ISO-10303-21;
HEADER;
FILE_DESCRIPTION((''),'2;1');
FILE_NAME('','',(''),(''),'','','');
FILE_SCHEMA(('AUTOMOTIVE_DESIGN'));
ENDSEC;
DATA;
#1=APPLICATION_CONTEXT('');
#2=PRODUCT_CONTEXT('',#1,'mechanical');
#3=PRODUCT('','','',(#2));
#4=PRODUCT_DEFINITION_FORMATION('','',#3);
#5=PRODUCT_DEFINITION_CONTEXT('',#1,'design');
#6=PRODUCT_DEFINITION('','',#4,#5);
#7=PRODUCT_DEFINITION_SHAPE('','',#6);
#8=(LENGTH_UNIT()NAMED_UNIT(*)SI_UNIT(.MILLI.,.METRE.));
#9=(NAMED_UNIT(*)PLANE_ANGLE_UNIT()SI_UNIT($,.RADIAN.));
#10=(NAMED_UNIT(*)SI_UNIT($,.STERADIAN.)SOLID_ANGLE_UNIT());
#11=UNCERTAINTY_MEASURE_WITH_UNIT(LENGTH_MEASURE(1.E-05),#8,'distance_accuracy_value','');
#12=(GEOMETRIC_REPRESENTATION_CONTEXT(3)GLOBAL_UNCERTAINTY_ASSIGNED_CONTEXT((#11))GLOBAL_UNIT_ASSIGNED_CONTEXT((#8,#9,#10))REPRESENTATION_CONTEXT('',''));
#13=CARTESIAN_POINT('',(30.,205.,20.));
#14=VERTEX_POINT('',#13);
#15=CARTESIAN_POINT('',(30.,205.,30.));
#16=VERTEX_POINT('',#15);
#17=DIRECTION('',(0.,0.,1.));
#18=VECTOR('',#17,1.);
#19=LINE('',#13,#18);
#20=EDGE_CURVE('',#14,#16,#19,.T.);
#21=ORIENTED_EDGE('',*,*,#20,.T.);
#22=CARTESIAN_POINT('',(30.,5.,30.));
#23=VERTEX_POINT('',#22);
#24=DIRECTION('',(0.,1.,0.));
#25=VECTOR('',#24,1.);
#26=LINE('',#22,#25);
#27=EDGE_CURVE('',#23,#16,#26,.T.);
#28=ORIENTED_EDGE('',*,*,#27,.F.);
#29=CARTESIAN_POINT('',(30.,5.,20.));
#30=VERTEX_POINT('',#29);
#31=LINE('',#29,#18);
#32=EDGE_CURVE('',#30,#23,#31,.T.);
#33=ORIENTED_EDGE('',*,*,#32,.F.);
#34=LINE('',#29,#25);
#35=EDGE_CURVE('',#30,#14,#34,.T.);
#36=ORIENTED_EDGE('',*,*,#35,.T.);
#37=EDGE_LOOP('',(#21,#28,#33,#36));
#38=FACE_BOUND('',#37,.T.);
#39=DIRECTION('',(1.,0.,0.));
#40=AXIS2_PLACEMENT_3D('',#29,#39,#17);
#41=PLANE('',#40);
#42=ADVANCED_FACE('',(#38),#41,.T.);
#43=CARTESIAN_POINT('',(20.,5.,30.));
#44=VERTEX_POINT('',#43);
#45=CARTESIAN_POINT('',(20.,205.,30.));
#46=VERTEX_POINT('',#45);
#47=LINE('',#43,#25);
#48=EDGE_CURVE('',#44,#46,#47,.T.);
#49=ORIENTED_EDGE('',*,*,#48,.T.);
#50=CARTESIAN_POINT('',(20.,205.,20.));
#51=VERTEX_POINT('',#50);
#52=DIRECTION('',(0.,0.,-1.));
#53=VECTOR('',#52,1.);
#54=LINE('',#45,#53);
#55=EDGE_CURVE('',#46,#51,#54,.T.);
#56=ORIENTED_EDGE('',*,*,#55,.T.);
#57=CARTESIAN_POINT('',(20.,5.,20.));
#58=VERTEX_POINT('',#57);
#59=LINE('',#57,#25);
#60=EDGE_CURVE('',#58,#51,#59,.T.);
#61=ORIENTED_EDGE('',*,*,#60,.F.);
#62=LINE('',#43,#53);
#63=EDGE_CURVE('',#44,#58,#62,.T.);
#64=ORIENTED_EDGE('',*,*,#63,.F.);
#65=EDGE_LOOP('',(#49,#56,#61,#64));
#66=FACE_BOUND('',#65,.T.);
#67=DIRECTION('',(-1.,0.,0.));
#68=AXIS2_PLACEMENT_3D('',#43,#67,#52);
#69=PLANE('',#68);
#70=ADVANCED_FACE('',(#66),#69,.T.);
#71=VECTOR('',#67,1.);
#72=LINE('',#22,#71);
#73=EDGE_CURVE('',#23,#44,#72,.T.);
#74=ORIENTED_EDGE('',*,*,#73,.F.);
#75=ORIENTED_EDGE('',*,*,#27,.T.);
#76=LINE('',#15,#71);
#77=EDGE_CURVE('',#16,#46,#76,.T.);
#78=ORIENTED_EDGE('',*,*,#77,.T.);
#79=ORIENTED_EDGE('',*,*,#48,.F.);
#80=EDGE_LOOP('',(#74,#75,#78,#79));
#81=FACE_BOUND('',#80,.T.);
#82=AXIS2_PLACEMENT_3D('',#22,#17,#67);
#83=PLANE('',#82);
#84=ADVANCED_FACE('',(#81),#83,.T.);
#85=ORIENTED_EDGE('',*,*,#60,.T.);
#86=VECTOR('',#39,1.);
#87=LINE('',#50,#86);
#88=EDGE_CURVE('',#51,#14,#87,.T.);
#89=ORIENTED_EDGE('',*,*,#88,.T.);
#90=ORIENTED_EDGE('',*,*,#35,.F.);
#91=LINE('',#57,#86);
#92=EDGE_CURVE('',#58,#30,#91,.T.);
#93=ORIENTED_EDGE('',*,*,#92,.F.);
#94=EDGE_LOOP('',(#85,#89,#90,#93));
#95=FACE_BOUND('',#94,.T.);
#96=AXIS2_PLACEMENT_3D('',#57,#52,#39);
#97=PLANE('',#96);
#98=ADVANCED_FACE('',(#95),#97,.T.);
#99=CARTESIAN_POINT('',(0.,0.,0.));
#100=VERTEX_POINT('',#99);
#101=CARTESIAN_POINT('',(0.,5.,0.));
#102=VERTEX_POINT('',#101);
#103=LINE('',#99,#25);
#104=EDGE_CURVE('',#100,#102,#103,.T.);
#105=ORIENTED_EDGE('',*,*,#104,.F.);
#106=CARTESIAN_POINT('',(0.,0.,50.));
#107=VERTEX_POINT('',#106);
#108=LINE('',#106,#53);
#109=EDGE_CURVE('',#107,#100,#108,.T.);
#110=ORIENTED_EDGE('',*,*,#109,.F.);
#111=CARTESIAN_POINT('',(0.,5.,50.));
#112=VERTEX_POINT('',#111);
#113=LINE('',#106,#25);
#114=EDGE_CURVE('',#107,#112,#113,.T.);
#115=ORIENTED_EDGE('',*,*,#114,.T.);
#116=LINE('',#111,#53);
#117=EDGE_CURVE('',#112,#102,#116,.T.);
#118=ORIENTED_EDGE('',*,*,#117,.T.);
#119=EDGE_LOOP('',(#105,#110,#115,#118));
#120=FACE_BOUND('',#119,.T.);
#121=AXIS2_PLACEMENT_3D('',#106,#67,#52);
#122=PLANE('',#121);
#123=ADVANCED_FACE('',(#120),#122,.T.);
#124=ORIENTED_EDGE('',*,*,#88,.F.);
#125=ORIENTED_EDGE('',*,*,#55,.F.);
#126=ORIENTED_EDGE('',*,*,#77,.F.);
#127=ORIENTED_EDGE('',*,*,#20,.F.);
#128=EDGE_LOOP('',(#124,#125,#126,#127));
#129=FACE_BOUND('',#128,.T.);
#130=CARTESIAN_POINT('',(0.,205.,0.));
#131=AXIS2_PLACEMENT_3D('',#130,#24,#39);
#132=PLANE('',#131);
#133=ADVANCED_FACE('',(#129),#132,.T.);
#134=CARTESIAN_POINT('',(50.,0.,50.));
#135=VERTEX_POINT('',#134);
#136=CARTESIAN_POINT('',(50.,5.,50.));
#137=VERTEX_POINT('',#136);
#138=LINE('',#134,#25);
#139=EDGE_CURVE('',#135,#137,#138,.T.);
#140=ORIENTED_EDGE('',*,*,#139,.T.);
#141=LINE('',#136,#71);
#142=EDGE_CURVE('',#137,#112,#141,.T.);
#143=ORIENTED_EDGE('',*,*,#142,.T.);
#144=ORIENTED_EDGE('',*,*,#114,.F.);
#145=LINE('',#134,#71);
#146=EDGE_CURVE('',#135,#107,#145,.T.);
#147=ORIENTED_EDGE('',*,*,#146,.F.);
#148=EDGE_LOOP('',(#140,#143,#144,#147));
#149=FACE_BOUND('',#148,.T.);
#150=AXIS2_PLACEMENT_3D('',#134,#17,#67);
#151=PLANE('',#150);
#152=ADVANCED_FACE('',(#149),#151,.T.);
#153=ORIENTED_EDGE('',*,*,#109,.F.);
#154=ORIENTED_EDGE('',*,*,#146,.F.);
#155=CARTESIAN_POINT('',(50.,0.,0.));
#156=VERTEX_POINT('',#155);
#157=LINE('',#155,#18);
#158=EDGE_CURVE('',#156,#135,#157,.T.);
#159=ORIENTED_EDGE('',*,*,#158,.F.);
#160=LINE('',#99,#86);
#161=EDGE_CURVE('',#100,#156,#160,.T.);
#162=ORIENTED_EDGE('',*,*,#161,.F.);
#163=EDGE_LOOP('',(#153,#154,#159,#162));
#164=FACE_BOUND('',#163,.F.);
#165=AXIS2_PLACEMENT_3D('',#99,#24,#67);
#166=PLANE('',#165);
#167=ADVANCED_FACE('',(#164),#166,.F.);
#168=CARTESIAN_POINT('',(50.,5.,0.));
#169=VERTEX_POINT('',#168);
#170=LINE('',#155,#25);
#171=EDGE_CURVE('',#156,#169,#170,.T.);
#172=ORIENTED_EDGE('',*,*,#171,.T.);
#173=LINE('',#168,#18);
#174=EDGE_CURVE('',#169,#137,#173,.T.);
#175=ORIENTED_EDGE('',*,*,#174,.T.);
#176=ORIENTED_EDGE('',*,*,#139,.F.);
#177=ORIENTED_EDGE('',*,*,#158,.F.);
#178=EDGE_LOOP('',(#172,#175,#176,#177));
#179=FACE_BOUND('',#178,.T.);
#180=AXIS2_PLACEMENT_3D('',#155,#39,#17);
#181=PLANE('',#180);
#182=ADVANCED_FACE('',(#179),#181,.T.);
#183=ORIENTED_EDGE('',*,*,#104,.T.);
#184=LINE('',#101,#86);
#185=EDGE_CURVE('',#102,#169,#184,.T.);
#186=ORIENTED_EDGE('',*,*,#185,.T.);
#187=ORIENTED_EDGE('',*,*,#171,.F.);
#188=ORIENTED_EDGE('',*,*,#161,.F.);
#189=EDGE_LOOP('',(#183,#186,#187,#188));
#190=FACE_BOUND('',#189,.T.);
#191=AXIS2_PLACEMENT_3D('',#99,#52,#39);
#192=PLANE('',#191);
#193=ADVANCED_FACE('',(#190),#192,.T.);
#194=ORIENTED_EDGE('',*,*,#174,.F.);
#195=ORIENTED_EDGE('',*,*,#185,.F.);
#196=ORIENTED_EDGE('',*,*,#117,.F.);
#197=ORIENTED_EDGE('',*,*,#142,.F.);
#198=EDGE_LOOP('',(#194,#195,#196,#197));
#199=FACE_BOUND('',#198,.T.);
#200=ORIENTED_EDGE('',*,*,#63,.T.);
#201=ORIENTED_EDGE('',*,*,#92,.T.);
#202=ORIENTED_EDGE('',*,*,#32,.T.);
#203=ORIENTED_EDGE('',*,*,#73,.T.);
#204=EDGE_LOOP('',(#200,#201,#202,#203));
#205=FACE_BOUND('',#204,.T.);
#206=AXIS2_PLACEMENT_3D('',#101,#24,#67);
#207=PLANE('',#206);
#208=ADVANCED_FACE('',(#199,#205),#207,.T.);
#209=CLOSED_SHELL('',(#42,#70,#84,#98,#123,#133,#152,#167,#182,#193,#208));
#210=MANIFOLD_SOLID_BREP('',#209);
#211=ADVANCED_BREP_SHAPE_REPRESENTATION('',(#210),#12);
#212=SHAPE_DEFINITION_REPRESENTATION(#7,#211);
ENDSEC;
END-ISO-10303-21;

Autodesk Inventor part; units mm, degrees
ref_plane "YZ Plane" through (0, 0, 0) normal (1, 0, 0) x (0, 1, 0)
ref_plane "XZ Plane" through (0, 0, 0) normal (0, 1, 0) x (-1, 0, 0)
ref_plane "XY Plane" through (0, 0, 0) normal (0, 0, 1) x (1, 0, 0)
sketch "Sketch1" plane through (0, 0, 0) normal (0, 1, 0) x (-1, 0, 0)
  line L0 (0, 0) -> (-50, 0)
  line L1 (-50, 0) -> (-50, 50)
  line L2 (-50, 50) -> (0, 50)
  line L3 (0, 50) -> (0, 0)
  dimension "d0" = 50
  dimension "d1" = 50
extrude "Extrusion1" add sketch "Sketch1" along normal blind 5
sketch "Sketch2" plane through (0, 5, 0) normal (0, 1, 0) x (1, 0, 0)
  line L0 (50, 0) -> (0, 0) projected
  line L1 (0, -50) -> (50, -50) projected
  line L2 (0, 0) -> (50, 0)
  line L3 (50, 0) -> (50, -50)
  line L4 (50, -50) -> (0, -50)
  line L5 (0, -50) -> (0, 0)
  line L6 (0, 0) -> (20, 0)
  line L7 (20, 0) -> (20, -20)
  line L8 (20, -20) -> (0, -20)
  line L9 (0, -20) -> (0, 0)
  line L10 (20, -20) -> (30, -20)
  line L11 (30, -20) -> (30, -30)
  line L12 (30, -30) -> (20, -30)
  line L13 (20, -30) -> (20, -20)
  dimension "d4" = 20
  dimension "d5" = 20
  dimension "d6" = 10
  dimension "d7" = 10
extrude "Extrusion2" add sketch "Sketch2" along normal blind 200 contours L10 L11 L12 L13
properties part number "CAM01"
